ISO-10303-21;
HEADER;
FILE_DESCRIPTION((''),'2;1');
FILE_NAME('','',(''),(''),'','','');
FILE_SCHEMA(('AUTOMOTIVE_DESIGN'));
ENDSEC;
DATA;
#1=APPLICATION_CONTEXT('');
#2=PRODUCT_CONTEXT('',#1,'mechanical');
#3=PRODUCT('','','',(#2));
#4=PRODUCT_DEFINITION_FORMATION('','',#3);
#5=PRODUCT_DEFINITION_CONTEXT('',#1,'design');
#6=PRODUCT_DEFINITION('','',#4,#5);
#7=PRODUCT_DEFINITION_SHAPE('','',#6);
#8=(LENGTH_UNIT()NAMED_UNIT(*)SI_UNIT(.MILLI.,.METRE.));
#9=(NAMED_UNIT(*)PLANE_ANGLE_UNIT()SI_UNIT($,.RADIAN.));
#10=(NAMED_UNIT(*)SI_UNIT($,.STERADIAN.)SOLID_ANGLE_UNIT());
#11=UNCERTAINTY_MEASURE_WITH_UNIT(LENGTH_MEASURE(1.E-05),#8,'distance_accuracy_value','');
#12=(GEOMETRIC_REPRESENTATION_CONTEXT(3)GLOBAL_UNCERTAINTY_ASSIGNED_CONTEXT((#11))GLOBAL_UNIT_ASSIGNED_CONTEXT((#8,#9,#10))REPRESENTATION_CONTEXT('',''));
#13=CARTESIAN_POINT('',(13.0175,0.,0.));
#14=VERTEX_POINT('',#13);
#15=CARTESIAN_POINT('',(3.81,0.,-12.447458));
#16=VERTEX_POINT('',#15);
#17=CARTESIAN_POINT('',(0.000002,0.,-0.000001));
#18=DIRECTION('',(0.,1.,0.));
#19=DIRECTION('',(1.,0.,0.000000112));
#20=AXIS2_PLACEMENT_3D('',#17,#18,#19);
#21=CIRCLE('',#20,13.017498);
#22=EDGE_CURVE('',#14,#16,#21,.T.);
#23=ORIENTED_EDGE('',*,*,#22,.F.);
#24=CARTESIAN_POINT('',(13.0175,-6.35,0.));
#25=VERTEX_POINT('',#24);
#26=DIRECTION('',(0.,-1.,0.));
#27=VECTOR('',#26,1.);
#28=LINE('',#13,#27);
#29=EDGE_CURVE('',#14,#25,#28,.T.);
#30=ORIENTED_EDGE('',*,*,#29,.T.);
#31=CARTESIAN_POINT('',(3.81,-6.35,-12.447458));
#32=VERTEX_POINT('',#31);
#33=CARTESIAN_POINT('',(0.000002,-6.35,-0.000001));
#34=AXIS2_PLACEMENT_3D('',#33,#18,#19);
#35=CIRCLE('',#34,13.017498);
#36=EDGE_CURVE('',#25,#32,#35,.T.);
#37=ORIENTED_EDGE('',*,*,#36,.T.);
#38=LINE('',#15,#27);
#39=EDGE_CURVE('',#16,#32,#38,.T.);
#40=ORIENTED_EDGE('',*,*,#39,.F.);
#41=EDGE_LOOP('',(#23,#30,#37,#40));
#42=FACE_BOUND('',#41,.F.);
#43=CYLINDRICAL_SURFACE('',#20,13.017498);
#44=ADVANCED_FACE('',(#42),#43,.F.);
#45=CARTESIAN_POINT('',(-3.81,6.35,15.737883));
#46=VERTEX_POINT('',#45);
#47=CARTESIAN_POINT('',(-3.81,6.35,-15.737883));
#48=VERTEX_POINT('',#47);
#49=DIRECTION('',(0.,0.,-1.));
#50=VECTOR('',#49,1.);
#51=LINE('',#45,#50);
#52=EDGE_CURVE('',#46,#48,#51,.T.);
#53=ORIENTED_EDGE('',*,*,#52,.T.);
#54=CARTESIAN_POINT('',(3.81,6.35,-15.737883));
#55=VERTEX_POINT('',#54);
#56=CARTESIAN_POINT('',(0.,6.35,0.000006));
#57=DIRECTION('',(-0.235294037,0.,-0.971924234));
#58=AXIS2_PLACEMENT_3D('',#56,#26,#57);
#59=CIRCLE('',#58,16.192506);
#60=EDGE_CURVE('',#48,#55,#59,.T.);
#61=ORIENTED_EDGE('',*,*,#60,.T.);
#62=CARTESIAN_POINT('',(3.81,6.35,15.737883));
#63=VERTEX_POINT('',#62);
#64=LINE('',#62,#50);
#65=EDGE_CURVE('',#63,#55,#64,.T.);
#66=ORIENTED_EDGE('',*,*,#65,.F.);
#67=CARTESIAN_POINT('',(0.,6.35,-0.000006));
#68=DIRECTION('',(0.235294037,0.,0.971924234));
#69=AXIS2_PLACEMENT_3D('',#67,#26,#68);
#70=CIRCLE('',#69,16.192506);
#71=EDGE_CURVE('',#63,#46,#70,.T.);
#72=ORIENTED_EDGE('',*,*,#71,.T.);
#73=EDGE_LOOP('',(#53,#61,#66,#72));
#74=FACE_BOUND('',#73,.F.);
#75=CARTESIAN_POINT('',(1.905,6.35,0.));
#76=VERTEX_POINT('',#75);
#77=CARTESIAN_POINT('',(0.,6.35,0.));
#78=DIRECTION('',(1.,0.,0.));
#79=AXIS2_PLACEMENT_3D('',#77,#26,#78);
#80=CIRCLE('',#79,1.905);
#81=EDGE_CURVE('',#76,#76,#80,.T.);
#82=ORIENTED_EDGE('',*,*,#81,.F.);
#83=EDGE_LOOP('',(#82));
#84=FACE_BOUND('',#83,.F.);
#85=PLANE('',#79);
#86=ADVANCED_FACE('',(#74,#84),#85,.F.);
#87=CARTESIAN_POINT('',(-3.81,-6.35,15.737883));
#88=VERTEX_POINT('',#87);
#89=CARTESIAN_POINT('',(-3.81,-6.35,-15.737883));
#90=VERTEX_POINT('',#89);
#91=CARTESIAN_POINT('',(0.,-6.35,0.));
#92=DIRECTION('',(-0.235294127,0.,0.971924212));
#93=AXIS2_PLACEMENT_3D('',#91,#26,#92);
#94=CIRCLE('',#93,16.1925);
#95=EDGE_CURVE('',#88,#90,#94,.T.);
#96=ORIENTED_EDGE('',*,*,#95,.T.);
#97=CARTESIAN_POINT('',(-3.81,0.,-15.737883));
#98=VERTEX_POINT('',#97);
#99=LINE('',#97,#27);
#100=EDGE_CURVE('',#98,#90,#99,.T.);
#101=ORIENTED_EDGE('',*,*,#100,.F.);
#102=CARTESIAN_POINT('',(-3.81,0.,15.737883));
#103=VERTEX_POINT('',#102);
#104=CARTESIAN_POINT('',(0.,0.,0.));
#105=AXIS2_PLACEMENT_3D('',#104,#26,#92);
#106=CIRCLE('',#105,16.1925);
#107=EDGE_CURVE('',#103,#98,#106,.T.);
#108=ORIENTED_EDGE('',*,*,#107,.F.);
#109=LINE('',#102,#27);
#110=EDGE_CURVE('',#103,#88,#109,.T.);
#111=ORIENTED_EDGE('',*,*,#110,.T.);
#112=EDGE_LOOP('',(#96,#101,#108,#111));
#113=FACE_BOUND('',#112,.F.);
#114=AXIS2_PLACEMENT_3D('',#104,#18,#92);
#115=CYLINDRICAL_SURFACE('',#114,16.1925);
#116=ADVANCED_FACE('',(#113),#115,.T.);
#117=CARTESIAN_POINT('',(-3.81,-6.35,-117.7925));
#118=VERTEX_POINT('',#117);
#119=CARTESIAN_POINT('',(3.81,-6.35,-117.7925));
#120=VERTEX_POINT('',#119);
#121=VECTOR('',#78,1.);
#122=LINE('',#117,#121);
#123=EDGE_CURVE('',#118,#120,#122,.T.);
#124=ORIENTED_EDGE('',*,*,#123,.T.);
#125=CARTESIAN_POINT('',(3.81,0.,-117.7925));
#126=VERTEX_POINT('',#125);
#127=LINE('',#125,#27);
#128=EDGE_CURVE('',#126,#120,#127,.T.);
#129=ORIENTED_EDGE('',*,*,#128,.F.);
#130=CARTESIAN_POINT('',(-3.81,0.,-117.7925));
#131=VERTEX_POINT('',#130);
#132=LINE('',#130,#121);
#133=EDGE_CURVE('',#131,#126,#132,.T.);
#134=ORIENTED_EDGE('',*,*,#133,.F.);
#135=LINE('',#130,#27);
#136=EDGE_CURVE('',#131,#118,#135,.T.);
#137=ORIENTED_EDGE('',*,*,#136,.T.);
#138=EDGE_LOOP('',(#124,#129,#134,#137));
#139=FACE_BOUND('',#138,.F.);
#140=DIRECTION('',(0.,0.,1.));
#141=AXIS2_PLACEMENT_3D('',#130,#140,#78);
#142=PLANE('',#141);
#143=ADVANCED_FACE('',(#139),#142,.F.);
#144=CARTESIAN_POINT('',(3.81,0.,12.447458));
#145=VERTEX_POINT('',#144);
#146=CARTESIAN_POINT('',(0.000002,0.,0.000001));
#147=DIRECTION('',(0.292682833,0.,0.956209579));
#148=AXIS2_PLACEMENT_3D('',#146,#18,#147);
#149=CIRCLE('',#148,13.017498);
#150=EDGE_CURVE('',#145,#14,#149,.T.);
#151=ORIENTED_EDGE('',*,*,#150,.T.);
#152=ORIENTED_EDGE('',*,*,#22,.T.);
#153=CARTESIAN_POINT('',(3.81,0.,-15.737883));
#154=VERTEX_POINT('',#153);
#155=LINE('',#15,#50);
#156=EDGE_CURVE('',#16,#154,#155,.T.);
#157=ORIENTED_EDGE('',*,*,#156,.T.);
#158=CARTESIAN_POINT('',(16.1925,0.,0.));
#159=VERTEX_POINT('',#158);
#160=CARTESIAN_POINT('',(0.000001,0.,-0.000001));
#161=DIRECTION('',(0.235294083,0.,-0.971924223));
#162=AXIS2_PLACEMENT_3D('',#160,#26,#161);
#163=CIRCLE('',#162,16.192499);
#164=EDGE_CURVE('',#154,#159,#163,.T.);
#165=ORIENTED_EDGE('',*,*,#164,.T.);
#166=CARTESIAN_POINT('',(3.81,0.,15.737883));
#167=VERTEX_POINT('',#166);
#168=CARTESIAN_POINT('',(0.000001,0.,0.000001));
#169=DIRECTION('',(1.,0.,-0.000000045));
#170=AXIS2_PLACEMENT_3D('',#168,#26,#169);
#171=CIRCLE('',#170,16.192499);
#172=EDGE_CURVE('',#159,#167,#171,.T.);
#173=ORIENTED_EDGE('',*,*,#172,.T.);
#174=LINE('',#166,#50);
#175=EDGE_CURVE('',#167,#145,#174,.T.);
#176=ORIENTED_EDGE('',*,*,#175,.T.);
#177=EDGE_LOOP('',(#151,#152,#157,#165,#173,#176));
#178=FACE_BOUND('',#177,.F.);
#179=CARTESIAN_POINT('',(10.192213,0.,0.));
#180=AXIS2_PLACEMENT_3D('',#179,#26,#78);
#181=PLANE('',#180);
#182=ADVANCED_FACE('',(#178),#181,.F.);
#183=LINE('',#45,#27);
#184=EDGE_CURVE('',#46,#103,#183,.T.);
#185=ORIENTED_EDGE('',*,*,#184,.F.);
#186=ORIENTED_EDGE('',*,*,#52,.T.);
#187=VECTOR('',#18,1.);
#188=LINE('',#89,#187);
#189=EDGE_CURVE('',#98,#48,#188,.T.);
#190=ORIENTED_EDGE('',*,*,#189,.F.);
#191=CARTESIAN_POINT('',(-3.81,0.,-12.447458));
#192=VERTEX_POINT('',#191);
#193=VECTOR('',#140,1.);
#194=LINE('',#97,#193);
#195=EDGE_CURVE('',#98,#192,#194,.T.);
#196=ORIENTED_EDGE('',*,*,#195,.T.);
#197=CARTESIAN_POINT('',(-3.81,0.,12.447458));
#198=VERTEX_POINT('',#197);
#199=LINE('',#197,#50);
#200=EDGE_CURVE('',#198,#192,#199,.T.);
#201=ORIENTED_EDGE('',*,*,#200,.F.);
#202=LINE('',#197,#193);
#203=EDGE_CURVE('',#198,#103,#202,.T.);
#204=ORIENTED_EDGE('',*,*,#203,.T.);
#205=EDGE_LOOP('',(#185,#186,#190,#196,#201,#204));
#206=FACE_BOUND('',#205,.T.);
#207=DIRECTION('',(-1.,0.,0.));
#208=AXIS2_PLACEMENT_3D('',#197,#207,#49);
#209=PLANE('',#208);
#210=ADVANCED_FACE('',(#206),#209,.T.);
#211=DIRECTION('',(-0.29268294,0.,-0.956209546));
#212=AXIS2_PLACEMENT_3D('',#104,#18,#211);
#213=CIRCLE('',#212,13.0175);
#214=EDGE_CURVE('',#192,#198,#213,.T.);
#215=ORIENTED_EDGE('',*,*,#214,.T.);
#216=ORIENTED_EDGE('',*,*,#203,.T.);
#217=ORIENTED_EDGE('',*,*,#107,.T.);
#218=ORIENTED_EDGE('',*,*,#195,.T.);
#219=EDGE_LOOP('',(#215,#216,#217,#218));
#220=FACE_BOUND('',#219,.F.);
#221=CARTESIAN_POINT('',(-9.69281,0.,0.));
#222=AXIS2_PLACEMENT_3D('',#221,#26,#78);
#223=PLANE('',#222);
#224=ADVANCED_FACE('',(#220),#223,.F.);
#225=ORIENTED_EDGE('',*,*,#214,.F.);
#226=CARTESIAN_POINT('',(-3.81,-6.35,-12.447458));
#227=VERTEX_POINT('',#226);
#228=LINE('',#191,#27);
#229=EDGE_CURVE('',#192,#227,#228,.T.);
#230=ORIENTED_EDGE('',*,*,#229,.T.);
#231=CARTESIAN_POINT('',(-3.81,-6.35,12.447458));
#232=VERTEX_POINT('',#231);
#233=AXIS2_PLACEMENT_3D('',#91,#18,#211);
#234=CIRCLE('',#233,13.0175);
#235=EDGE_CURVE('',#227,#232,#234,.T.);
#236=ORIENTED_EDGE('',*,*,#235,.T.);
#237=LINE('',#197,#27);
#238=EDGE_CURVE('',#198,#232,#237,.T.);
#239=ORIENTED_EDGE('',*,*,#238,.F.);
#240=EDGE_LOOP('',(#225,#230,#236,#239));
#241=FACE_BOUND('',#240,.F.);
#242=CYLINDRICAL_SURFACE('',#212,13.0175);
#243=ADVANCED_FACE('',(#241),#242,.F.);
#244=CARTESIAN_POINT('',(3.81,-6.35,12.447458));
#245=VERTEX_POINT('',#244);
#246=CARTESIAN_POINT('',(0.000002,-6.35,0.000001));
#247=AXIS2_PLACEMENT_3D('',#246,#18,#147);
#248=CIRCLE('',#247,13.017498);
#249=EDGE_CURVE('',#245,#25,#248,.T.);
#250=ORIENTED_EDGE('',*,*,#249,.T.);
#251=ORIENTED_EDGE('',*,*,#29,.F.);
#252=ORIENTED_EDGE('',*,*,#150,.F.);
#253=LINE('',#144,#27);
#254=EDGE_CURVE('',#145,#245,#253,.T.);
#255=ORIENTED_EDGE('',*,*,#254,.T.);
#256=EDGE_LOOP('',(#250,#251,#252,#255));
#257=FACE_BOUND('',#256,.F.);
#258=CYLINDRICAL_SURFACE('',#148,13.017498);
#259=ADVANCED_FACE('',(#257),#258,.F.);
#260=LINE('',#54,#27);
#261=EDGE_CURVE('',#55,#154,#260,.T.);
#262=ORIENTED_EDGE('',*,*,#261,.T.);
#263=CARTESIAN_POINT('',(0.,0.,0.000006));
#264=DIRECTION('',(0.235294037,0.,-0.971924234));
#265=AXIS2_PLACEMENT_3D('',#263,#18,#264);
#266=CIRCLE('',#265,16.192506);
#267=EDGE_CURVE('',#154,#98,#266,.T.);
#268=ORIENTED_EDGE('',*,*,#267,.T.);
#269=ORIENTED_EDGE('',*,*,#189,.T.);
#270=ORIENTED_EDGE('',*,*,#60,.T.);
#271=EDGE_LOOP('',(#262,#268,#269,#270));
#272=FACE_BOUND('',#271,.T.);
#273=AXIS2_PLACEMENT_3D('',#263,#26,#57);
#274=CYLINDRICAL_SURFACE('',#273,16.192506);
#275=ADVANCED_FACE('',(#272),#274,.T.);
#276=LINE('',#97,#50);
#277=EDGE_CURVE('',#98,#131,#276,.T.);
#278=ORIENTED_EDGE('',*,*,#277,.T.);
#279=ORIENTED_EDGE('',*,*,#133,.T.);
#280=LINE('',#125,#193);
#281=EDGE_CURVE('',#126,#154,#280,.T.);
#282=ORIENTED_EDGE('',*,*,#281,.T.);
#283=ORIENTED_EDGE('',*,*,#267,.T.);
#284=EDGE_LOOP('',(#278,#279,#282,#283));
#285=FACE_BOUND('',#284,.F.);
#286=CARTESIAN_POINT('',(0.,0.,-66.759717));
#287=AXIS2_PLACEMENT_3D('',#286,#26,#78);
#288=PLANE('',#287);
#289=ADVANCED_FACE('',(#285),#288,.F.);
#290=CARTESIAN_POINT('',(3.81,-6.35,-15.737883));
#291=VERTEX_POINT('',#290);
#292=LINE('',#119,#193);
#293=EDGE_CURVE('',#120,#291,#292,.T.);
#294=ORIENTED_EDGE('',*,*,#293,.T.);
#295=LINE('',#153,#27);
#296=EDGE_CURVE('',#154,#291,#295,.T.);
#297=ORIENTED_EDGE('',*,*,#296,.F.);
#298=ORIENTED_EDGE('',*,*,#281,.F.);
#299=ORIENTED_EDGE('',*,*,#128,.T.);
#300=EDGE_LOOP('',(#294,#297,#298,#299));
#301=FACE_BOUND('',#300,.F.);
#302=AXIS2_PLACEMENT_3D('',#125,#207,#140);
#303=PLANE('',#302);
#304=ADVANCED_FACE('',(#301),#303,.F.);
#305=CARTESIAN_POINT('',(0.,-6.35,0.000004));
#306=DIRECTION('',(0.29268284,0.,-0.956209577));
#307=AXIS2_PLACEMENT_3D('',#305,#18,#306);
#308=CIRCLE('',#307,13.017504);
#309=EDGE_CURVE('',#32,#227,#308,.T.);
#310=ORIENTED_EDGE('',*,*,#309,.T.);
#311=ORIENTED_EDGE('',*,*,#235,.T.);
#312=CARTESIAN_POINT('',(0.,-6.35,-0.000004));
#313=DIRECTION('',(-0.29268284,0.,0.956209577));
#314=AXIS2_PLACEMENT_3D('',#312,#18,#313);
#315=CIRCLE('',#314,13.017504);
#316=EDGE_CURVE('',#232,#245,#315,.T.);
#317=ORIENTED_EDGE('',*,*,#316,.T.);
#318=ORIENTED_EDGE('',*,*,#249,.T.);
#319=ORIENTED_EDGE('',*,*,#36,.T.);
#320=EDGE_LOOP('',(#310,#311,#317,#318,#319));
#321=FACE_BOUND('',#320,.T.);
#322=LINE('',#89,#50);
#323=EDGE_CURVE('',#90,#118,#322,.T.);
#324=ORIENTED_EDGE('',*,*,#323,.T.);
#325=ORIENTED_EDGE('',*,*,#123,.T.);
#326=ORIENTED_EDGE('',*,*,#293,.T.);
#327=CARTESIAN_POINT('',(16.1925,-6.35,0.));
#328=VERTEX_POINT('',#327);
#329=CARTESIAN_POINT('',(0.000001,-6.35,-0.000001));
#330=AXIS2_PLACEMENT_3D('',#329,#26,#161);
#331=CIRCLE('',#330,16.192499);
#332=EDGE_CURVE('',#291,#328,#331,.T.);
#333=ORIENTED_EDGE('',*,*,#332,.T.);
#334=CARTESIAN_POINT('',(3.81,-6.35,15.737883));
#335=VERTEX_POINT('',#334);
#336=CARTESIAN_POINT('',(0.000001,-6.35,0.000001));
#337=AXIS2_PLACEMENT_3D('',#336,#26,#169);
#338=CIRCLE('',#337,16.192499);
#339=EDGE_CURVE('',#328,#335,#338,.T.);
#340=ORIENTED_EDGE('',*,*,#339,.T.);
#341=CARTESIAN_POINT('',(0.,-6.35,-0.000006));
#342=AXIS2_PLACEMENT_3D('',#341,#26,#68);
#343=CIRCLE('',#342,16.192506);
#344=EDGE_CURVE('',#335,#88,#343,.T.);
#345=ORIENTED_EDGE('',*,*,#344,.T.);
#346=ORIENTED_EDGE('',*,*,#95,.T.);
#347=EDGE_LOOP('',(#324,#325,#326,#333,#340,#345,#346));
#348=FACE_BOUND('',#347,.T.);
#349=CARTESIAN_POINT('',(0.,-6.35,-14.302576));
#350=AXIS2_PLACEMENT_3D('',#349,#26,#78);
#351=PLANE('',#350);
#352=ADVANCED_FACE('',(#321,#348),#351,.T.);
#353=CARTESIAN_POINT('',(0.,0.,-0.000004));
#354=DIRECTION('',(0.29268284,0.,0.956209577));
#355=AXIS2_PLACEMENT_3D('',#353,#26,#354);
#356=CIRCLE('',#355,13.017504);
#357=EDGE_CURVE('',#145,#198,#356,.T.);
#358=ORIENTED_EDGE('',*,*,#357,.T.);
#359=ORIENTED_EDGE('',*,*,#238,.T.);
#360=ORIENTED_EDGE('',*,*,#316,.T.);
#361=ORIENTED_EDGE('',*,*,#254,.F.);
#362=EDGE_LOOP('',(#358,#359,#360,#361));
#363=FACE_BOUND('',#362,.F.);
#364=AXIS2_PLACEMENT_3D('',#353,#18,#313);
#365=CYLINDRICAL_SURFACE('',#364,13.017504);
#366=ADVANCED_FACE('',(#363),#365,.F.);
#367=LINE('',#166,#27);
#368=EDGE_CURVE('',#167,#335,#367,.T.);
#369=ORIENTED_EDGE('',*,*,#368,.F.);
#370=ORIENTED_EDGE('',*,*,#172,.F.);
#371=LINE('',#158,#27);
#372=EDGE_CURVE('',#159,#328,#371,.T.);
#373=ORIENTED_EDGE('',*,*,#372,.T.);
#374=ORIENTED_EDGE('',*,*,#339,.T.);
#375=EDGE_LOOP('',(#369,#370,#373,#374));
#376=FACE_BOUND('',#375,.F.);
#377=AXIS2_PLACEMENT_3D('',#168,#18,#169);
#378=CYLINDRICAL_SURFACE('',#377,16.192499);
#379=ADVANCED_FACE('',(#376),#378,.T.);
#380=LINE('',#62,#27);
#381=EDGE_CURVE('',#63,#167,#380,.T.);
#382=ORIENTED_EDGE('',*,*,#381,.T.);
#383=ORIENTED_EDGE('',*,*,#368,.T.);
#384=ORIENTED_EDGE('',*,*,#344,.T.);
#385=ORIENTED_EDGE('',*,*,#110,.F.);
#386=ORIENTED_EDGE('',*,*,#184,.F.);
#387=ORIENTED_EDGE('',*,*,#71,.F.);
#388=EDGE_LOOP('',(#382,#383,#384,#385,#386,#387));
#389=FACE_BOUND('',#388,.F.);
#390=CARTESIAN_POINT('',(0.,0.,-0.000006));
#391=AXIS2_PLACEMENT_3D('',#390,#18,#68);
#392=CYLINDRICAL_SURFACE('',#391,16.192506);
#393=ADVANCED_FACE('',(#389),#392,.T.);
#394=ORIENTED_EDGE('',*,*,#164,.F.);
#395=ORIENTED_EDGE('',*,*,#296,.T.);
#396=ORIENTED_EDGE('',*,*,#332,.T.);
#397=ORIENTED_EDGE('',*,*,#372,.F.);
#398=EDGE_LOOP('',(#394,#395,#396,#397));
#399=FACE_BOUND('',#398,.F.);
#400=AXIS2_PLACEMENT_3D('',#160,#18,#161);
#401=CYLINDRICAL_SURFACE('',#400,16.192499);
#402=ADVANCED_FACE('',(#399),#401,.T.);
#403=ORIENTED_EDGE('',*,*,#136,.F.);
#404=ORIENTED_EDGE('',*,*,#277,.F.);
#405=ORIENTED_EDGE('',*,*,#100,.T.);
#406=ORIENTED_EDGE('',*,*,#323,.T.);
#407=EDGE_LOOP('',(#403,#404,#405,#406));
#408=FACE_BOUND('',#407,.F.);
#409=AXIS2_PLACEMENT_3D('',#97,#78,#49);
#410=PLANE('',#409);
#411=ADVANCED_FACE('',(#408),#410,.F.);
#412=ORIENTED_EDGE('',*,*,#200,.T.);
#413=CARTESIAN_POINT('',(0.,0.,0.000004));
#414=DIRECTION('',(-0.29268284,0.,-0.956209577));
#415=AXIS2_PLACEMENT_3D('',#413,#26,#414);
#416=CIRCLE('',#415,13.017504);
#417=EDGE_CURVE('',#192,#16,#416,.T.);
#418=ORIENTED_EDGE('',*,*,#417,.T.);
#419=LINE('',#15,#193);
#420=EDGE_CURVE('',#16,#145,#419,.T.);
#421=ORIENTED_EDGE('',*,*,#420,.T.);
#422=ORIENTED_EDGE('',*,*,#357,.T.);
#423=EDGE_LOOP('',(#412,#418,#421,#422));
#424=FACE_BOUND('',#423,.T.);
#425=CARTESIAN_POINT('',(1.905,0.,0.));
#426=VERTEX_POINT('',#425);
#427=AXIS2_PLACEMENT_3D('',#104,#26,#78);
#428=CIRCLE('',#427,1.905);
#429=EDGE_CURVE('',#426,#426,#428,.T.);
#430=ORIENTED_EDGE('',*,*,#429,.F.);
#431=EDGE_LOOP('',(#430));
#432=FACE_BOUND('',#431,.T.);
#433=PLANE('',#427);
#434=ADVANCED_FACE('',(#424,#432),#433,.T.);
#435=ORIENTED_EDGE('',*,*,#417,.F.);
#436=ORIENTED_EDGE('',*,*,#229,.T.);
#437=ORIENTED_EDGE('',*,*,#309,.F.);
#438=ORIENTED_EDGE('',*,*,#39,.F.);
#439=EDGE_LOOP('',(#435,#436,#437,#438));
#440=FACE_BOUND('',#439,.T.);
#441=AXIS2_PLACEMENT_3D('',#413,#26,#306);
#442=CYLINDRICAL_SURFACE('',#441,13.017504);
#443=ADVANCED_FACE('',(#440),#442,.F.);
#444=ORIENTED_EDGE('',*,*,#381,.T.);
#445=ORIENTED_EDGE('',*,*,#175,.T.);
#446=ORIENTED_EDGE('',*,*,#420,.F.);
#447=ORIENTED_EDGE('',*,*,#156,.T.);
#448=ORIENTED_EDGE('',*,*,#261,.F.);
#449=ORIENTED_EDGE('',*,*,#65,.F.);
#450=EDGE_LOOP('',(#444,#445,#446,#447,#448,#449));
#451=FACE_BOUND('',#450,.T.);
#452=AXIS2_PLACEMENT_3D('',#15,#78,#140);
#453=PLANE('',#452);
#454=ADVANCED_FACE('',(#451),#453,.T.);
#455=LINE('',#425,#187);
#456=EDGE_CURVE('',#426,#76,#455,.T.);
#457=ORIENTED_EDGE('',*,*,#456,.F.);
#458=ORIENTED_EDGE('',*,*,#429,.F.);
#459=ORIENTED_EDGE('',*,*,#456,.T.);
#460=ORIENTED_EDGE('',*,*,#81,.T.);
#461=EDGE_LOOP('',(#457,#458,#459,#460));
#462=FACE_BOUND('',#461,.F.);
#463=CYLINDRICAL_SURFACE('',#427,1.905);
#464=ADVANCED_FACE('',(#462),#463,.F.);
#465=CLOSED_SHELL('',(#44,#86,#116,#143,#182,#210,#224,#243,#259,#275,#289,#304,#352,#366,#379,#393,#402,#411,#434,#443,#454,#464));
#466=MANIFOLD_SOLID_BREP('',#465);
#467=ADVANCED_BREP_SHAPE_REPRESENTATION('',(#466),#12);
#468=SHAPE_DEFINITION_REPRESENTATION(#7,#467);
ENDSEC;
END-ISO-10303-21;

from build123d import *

# Parameters (mm, degrees)
F1_DEPTH = 6.35
F2_DEPTH = 6.35
F3_DEPTH = 6.35
F0_R     = 1.905
F4_DEPTH = 6.35


with BuildPart() as f1:
    # F0 (on Front) → F1 (new body)
    with BuildSketch(Plane.XZ):
        with BuildLine():
            Line((3.81, -117.7925), (3.81, -15.737883))
            ThreePointArc((3.81, -15.737883), (0, -16.1925), (-3.81, -15.737883))
            Line((-3.81, -15.737883), (-3.81, -117.7925))
            Line((-3.81, -117.7925), (3.81, -117.7925))
        make_face()
    extrude(amount=F1_DEPTH)



with BuildPart() as f2:
    # F0 (on Front) → F2 (new body)
    with BuildSketch(Plane.XZ):
        with BuildLine():
            Line((3.81, -12.447458), (3.81, -15.737883))
            ThreePointArc((3.81, -15.737883), (12.725771, -10.012583), (16.1925, 0))
            ThreePointArc((16.1925, 0), (12.725771, 10.012583), (3.81, 15.737883))
            Line((3.81, 15.737883), (3.81, 12.447458))
            ThreePointArc((3.81, 12.447458), (10.465467, 7.741403), (13.0175, 0))
            ThreePointArc((13.0175, 0), (10.465467, -7.741403), (3.81, -12.447458))
        make_face()
        with BuildLine():
            ThreePointArc((-3.81, 15.737883), (-16.1925, 0), (-3.81, -15.737883))
            Line((-3.81, -15.737883), (-3.81, -12.447458))
            ThreePointArc((-3.81, -12.447458), (-13.0175, 0), (-3.81, 12.447458))
            Line((-3.81, 12.447458), (-3.81, 15.737883))
        make_face()
    extrude(amount=F2_DEPTH)


with BuildPart() as f1_1:
    add(f1.part)

    add(f2.part)  # F3 merges F2
    # F0 (on Front) → F3 (join, symmetric)
    with BuildSketch(Plane.XZ):
        with BuildLine():
            Line((3.81, 12.447458), (3.81, 15.737883))
            ThreePointArc((3.81, 15.737883), (0, 16.1925), (-3.81, 15.737883))
            Line((-3.81, 15.737883), (-3.81, 12.447458))
            ThreePointArc((-3.81, 12.447458), (0, 13.0175), (3.81, 12.447458))
        make_face()
        with BuildLine():
            ThreePointArc((-3.81, -15.737883), (0, -16.1925), (3.81, -15.737883))
            Line((3.81, -15.737883), (3.81, -12.447458))
            ThreePointArc((3.81, -12.447458), (0, -13.0175), (-3.81, -12.447458))
            Line((-3.81, -12.447458), (-3.81, -15.737883))
        make_face()
    extrude(amount=F3_DEPTH, both=True)

    # F0 (on Front) → F4 (join)
    with BuildSketch(Plane.XZ):
        with BuildLine():
            ThreePointArc((-3.81, -12.447458), (0, -13.0175), (3.81, -12.447458))
            Line((3.81, -12.447458), (3.81, 12.447458))
            ThreePointArc((3.81, 12.447458), (0, 13.0175), (-3.81, 12.447458))
            Line((-3.81, 12.447458), (-3.81, -12.447458))
        make_face()
        Circle(F0_R, mode=Mode.SUBTRACT)
    extrude(amount=-F4_DEPTH)


solid = f1_1.part
